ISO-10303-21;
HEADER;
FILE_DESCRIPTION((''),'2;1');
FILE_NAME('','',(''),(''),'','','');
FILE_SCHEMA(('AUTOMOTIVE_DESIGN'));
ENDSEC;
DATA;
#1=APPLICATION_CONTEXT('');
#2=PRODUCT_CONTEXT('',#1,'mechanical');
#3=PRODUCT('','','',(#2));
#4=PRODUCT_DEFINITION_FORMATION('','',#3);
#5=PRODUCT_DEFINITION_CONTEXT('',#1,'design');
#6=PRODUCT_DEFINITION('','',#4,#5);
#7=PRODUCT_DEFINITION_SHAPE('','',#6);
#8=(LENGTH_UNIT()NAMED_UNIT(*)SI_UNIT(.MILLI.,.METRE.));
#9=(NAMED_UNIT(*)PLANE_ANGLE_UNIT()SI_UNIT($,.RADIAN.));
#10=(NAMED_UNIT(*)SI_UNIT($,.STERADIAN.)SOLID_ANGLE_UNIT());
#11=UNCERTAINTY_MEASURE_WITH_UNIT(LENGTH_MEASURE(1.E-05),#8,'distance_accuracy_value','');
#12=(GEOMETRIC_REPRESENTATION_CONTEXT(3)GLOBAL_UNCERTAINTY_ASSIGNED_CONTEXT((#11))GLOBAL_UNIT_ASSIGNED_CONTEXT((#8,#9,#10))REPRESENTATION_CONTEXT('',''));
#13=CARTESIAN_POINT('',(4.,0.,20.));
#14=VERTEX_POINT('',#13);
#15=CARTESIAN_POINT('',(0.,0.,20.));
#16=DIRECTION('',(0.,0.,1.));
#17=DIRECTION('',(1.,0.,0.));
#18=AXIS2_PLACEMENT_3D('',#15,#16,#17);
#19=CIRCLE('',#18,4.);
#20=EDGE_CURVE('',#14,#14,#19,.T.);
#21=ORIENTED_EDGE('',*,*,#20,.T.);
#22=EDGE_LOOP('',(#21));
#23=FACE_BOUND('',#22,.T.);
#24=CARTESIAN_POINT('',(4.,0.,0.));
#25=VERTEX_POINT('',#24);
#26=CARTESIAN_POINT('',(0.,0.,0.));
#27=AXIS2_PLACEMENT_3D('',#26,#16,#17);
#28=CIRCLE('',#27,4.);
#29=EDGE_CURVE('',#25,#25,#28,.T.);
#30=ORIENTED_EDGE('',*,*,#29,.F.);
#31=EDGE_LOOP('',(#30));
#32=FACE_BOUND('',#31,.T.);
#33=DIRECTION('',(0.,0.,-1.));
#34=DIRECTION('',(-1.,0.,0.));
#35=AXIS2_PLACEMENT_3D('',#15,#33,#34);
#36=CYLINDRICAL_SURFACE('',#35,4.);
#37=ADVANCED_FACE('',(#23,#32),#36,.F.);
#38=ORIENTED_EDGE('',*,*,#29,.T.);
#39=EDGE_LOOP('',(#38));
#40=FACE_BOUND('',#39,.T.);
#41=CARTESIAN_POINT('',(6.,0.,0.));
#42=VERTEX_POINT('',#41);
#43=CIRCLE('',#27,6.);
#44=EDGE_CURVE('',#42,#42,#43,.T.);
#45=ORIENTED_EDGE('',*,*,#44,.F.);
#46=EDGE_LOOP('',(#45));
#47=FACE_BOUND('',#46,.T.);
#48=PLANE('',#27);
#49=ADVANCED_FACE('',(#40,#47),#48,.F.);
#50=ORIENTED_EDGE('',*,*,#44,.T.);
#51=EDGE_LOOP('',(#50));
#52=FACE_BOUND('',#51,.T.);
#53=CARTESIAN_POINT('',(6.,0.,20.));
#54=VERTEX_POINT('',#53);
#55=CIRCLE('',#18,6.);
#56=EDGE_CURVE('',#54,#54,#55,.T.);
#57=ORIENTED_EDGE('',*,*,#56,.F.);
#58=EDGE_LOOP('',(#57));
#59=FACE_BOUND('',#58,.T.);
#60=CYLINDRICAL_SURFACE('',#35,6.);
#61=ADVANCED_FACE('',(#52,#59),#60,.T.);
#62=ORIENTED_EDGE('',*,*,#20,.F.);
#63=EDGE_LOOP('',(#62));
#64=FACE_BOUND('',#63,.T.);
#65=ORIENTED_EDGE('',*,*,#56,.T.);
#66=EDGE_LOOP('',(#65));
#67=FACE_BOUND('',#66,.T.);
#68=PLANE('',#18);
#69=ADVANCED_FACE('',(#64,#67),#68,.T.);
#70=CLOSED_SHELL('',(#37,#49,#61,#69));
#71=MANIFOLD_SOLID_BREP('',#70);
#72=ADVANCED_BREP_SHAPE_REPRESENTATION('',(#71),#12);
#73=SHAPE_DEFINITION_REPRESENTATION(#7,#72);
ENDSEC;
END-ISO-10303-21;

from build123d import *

# Parameters (mm, degrees)
ESQUISSE1_R        = 6
ESQUISSE1_R_2      = 4
BOSS_EXTRU_1_DEPTH = 20


with BuildPart() as part:
    # Esquisse1 → Boss.-Extru.1 (new body)
    with BuildSketch(Plane.XY):
        Circle(ESQUISSE1_R)
        Circle(ESQUISSE1_R_2, mode=Mode.SUBTRACT)
    extrude(amount=BOSS_EXTRU_1_DEPTH)


solid = part.part
